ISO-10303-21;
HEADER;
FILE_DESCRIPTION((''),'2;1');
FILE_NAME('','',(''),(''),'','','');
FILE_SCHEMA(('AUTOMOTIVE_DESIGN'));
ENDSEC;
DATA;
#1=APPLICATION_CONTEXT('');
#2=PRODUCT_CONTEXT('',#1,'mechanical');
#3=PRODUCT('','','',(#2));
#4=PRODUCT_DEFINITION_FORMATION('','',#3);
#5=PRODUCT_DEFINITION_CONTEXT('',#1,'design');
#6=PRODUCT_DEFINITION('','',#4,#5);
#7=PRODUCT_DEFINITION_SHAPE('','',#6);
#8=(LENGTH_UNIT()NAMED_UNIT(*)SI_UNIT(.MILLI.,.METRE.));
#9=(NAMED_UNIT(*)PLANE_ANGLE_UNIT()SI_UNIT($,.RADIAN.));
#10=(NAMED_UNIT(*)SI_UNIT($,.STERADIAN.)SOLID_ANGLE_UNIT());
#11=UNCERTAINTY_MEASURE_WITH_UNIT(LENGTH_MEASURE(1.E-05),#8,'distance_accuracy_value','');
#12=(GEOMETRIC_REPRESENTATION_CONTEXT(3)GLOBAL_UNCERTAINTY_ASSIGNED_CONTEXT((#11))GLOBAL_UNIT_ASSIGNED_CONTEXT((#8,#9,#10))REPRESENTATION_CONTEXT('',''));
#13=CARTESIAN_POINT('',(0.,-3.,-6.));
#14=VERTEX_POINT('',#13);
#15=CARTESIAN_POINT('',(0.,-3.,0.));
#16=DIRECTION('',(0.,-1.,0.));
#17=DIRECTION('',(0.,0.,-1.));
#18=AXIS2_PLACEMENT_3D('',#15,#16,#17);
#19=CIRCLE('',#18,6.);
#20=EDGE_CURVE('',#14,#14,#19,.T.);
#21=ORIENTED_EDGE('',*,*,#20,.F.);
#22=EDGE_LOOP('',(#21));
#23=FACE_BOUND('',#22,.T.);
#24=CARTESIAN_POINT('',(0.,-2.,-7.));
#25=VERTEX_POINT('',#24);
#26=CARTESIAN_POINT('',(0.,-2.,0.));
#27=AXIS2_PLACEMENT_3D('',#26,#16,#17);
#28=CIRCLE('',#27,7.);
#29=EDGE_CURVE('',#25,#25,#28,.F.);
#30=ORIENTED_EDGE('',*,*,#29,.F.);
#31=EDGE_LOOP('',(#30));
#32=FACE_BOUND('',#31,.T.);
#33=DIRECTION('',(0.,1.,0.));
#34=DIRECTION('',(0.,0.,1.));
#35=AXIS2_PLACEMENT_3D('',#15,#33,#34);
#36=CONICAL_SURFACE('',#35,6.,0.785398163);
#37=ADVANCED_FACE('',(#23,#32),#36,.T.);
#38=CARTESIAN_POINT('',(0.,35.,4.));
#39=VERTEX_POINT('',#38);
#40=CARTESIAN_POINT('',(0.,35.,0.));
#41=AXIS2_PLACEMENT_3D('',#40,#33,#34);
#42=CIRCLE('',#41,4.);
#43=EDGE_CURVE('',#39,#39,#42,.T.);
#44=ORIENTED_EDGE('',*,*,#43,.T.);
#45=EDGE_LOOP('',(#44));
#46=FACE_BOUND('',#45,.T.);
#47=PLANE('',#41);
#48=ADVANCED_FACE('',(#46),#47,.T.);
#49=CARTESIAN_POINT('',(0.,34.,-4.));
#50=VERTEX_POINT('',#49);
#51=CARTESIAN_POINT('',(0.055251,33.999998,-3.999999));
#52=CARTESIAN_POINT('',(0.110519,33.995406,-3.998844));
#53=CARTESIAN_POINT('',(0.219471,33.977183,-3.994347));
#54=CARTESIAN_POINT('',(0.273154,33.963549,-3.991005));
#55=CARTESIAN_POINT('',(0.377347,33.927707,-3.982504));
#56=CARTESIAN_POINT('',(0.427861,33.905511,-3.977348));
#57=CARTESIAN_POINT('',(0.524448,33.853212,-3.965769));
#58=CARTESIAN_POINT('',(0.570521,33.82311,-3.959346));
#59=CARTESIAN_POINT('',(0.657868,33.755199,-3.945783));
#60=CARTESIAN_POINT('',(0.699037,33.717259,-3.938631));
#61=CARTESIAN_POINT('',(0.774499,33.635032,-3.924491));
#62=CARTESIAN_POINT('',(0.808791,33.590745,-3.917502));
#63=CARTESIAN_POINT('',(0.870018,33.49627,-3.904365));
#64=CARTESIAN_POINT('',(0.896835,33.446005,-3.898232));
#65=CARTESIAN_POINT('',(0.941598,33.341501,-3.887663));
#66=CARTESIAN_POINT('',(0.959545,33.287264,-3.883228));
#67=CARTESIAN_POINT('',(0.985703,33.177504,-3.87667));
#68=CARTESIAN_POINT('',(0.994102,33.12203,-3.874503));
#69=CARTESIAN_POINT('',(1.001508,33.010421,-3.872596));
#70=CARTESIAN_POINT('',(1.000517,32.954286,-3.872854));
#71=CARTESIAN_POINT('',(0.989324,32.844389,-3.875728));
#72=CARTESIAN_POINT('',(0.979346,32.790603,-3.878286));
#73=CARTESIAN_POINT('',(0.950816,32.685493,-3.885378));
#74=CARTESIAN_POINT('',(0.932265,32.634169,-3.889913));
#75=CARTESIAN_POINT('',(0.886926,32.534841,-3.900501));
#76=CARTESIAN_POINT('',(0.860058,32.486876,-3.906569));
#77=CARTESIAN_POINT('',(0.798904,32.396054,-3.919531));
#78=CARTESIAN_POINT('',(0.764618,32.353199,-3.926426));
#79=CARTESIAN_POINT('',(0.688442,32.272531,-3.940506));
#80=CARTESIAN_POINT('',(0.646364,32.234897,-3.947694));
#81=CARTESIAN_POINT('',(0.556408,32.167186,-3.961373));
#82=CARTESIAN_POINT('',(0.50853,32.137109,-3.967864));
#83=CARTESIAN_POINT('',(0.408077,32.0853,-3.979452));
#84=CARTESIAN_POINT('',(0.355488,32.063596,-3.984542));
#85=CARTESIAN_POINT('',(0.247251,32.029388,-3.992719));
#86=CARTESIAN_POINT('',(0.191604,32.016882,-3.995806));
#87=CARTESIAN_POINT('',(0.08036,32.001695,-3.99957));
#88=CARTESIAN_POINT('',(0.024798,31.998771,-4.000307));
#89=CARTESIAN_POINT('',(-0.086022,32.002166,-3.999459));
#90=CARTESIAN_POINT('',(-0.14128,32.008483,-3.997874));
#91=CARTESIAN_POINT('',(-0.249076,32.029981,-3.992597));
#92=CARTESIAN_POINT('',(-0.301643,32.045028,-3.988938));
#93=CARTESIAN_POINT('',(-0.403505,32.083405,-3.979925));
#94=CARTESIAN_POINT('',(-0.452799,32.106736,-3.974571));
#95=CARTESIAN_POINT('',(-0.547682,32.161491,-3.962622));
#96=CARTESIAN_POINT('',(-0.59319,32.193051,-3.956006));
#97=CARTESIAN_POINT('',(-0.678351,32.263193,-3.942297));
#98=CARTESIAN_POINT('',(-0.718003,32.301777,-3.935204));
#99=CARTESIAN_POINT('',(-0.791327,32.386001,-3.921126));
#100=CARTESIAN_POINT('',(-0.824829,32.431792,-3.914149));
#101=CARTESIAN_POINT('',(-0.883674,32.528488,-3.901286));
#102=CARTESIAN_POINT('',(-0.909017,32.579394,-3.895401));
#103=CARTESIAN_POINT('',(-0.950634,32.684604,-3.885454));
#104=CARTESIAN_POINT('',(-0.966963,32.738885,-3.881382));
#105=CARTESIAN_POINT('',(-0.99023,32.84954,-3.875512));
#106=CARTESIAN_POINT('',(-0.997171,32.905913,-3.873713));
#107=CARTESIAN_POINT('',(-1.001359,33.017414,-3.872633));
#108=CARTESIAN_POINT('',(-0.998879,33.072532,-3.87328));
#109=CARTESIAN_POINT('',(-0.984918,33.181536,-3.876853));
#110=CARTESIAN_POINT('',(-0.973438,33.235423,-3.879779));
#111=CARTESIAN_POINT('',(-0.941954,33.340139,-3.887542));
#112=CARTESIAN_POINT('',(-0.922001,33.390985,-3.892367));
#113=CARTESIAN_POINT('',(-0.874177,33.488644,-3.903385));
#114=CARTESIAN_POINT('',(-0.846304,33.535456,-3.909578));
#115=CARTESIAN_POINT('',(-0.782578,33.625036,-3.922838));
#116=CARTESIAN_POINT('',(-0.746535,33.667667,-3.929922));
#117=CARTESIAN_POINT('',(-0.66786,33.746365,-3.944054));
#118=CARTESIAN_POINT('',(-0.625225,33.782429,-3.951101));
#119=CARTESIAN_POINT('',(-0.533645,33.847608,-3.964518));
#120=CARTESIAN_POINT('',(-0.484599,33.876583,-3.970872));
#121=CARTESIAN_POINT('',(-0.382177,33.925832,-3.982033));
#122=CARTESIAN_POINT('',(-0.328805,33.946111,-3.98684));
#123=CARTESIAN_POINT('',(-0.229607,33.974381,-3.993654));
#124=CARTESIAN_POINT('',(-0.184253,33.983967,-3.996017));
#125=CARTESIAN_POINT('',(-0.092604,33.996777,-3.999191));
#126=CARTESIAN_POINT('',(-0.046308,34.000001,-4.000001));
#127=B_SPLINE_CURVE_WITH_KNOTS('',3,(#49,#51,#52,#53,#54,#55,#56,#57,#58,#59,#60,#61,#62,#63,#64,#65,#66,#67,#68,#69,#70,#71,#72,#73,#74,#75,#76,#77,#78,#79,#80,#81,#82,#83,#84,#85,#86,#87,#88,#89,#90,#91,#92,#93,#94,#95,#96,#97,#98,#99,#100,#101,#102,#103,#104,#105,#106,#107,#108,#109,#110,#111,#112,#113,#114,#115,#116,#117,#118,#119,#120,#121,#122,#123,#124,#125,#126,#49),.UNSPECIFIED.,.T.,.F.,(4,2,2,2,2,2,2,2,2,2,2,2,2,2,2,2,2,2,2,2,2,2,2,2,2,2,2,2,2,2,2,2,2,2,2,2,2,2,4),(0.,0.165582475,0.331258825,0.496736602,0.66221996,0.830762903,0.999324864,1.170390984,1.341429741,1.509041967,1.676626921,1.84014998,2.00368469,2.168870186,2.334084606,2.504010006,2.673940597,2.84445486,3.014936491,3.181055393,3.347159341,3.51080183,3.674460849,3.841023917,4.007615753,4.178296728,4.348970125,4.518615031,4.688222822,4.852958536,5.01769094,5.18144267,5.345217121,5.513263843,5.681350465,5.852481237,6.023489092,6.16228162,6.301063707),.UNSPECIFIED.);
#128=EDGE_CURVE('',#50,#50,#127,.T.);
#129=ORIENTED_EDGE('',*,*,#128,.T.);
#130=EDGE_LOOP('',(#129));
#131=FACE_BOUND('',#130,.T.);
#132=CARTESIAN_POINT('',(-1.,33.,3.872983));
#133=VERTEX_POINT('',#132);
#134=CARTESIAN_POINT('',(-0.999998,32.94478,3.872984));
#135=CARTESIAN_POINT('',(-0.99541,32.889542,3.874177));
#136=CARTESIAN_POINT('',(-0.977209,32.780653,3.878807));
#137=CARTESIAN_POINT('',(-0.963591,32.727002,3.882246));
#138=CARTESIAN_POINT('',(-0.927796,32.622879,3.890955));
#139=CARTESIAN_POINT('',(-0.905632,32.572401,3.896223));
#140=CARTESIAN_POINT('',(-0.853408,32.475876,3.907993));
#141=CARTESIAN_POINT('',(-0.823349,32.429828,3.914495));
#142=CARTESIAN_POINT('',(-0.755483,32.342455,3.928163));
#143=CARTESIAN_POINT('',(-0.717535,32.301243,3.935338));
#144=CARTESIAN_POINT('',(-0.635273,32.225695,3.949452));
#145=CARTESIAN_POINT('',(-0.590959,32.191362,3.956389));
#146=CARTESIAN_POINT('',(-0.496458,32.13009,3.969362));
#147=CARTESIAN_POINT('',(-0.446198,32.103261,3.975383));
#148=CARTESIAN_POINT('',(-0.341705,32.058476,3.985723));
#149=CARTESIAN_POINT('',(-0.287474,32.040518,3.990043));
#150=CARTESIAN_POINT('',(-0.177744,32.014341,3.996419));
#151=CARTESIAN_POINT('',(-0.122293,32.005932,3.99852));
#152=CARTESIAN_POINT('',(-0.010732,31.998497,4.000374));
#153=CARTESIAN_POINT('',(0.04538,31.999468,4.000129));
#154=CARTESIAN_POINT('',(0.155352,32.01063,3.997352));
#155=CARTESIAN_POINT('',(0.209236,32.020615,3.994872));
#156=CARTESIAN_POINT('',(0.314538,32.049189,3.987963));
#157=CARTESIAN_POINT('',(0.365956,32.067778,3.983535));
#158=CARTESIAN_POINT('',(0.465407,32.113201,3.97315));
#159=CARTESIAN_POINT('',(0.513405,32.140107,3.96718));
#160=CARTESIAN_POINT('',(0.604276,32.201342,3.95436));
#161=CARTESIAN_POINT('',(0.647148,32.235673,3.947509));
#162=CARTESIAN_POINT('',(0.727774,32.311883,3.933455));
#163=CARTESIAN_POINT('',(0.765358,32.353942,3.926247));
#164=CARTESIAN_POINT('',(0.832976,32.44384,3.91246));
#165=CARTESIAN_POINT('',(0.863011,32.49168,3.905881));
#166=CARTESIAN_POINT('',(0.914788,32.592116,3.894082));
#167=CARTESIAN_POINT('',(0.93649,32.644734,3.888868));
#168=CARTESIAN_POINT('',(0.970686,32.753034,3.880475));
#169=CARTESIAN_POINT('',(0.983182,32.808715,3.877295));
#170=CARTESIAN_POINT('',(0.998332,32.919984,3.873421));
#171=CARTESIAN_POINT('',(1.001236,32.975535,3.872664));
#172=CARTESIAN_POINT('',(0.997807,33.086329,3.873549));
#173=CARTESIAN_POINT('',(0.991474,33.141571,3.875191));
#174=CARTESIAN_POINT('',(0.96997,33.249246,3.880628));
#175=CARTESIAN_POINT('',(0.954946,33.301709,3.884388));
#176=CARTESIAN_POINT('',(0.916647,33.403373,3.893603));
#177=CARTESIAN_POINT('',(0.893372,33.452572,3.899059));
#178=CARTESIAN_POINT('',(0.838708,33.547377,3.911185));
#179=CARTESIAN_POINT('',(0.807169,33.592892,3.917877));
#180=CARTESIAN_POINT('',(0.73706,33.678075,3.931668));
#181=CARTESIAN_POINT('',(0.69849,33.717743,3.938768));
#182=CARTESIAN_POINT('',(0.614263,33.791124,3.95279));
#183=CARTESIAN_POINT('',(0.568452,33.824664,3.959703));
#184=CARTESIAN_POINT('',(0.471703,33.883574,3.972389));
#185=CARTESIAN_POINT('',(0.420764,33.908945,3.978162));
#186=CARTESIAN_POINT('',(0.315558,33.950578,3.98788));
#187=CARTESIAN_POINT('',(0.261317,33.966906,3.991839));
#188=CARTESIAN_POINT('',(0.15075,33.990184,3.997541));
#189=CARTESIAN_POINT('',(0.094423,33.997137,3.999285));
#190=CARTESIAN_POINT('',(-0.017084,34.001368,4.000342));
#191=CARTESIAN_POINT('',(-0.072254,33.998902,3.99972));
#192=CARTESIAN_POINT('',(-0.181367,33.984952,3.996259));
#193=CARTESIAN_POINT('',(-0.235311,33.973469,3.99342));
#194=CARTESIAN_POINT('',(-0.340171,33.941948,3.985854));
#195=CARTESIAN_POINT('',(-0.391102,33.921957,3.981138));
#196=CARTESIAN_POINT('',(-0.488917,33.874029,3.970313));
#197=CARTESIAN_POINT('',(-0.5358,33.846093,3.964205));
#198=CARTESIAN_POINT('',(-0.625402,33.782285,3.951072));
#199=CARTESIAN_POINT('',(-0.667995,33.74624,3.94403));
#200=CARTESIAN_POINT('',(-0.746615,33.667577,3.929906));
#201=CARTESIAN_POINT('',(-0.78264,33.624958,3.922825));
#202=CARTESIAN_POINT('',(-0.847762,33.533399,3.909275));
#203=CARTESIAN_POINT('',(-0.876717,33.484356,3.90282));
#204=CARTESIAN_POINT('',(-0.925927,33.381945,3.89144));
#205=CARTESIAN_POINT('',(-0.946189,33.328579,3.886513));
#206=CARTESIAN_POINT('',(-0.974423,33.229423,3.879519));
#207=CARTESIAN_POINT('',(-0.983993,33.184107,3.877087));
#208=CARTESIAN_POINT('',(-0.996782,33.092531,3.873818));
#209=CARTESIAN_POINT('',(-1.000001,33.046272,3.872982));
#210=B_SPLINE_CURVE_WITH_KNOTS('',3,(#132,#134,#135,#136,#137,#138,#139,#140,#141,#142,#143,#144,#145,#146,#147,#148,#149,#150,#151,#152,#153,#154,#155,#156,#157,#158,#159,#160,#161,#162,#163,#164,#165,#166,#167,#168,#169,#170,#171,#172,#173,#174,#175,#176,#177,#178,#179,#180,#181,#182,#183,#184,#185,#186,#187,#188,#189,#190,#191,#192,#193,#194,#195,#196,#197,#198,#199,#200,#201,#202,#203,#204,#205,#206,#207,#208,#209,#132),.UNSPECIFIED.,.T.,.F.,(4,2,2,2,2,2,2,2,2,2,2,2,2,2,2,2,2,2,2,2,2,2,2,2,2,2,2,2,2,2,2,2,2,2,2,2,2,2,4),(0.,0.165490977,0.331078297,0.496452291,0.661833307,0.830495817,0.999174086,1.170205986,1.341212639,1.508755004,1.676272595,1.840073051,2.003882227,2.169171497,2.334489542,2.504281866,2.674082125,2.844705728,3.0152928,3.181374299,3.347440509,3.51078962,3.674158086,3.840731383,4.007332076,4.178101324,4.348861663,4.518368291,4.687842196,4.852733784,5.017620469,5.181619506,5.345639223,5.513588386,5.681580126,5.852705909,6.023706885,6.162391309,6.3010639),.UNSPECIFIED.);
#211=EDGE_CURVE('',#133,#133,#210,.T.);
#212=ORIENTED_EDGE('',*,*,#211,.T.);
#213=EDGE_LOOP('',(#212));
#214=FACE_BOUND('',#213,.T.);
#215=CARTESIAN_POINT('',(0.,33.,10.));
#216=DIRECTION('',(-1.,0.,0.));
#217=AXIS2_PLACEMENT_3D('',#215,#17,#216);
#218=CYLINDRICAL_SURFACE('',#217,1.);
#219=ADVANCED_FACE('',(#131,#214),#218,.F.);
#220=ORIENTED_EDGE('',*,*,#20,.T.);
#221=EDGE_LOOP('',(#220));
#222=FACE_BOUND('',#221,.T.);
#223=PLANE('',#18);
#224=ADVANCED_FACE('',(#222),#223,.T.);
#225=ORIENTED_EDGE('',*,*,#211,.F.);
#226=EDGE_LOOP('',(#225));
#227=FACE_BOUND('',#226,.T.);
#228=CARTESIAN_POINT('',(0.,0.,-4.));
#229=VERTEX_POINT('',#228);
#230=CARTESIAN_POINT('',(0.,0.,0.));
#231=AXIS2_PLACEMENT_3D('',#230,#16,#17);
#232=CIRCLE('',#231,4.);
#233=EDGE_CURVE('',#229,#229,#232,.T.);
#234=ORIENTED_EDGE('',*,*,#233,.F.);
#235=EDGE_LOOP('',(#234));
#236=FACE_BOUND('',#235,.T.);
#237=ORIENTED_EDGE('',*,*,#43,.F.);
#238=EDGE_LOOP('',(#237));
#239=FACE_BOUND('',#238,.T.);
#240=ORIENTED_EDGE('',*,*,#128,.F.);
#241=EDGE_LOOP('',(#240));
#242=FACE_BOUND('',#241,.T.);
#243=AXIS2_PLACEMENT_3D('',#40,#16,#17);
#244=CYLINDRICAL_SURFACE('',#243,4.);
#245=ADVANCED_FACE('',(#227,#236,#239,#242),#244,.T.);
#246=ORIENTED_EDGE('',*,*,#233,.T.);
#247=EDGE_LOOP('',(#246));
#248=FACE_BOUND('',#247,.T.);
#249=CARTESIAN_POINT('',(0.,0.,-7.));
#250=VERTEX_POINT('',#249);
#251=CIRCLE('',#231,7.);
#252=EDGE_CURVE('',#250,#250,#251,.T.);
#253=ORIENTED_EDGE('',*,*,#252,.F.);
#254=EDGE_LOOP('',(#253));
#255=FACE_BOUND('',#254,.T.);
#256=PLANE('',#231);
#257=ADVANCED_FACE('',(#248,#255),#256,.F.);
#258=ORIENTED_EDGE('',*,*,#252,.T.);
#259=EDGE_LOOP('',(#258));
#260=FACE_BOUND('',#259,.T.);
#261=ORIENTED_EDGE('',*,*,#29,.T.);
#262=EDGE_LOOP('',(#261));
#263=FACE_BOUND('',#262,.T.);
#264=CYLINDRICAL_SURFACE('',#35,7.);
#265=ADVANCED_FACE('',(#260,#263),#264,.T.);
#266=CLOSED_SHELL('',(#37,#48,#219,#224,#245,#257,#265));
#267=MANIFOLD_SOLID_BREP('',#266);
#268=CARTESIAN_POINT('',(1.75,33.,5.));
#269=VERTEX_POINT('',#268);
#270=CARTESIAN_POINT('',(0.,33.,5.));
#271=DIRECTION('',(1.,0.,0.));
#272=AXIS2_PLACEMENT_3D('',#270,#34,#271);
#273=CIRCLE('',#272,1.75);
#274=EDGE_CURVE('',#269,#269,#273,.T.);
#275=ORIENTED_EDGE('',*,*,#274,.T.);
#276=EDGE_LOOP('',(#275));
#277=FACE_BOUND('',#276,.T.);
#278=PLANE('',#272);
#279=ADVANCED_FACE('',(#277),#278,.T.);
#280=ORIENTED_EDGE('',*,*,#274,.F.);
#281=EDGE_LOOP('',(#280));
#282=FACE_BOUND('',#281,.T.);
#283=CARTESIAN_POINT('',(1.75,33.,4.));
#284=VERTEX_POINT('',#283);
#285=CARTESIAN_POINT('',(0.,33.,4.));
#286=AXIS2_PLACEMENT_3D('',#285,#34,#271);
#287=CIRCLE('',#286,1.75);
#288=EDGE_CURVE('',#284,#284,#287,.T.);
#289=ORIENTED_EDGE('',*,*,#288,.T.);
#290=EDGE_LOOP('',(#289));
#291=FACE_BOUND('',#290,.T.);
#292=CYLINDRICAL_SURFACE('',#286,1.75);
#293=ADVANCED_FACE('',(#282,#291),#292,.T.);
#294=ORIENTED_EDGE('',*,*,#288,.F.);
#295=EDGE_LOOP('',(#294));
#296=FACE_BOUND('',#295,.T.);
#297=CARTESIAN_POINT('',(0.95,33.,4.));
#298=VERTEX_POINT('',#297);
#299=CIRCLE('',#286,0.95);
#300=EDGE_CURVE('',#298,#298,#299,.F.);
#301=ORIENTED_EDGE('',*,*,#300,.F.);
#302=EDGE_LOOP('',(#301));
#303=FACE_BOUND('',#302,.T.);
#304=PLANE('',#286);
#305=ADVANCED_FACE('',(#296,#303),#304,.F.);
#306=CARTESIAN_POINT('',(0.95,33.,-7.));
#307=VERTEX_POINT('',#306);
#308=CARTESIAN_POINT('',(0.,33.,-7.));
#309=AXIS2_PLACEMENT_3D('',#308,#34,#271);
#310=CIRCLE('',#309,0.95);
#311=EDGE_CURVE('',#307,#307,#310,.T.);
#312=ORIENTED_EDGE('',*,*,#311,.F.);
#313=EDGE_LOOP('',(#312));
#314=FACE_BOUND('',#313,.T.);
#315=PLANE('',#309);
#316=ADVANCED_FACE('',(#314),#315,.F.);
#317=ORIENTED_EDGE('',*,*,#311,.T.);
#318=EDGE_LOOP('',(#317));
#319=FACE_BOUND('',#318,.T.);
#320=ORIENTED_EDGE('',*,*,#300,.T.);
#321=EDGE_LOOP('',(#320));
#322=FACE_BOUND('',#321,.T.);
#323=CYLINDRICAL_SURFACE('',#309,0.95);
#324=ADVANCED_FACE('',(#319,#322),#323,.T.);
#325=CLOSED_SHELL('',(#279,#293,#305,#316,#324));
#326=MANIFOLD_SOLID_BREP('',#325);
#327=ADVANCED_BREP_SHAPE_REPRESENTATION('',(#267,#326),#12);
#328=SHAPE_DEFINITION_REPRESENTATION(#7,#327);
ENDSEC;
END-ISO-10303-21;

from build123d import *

# Parameters (mm, degrees)
SKETCH1_R                = 4
BOSS_EXTRUDE1_DEPTH      = 35
SKETCH2_R                = 7
BOSS_EXTRUDE2_DEPTH      = 3
CHAMFER1_SIZE            = 1
SKETCH3_R                = 1
CUT_EXTRUDE1_DEPTH       = 10
CUT_EXTRUDE1_DEPTH_BACK  = 10
SKETCH4_R                = 0.95
BOSS_EXTRUDE3_DEPTH      = 5
BOSS_EXTRUDE3_DEPTH_BACK = 7
SKETCH5_R                = 1.75
BOSS_EXTRUDE4_DEPTH      = 1


with BuildPart() as part:
    # Sketch1 → Boss-Extrude1 (new body)
    with BuildSketch(Plane(origin=(0, 0, 0), x_dir=(1, 0, 0), z_dir=(0, 1, 0))):
        Circle(SKETCH1_R)
    extrude(amount=BOSS_EXTRUDE1_DEPTH)

    # Sketch2 → Boss-Extrude2 (add)
    with BuildSketch(Plane.XZ):
        Circle(SKETCH2_R)
    extrude(amount=BOSS_EXTRUDE2_DEPTH)

    # Chamfer1
    chamfer1_edges = [part.edges().sort_by_distance(p)[0] for p in [
        (-7, -3, 0),
    ]]
    chamfer(chamfer1_edges, length=CHAMFER1_SIZE)

    # Sketch3 → Cut-Extrude1 (cut, two sides)
    with BuildSketch(Plane.XY) as cut_extrude1_sk:
        with Locations((0, 33)):
            Circle(SKETCH3_R)
    extrude(amount=CUT_EXTRUDE1_DEPTH, mode=Mode.SUBTRACT)
    extrude(cut_extrude1_sk.sketch, amount=-CUT_EXTRUDE1_DEPTH_BACK, mode=Mode.SUBTRACT)


with BuildPart() as body_2:
    # Sketch4 → Boss-Extrude3 (new body, two sides)
    with BuildSketch(Plane.XY) as boss_extrude3_sk:
        with Locations((0, 33)):
            Circle(SKETCH4_R)
    extrude(amount=BOSS_EXTRUDE3_DEPTH)
    extrude(boss_extrude3_sk.sketch, amount=-BOSS_EXTRUDE3_DEPTH_BACK)

    # Sketch5 → Boss-Extrude4 (add)
    with BuildSketch(Plane.XY.offset(5)):
        with Locations((0, 33)):
            Circle(SKETCH5_R)
    extrude(amount=-BOSS_EXTRUDE4_DEPTH)


solid = Compound([part.part, body_2.part])
